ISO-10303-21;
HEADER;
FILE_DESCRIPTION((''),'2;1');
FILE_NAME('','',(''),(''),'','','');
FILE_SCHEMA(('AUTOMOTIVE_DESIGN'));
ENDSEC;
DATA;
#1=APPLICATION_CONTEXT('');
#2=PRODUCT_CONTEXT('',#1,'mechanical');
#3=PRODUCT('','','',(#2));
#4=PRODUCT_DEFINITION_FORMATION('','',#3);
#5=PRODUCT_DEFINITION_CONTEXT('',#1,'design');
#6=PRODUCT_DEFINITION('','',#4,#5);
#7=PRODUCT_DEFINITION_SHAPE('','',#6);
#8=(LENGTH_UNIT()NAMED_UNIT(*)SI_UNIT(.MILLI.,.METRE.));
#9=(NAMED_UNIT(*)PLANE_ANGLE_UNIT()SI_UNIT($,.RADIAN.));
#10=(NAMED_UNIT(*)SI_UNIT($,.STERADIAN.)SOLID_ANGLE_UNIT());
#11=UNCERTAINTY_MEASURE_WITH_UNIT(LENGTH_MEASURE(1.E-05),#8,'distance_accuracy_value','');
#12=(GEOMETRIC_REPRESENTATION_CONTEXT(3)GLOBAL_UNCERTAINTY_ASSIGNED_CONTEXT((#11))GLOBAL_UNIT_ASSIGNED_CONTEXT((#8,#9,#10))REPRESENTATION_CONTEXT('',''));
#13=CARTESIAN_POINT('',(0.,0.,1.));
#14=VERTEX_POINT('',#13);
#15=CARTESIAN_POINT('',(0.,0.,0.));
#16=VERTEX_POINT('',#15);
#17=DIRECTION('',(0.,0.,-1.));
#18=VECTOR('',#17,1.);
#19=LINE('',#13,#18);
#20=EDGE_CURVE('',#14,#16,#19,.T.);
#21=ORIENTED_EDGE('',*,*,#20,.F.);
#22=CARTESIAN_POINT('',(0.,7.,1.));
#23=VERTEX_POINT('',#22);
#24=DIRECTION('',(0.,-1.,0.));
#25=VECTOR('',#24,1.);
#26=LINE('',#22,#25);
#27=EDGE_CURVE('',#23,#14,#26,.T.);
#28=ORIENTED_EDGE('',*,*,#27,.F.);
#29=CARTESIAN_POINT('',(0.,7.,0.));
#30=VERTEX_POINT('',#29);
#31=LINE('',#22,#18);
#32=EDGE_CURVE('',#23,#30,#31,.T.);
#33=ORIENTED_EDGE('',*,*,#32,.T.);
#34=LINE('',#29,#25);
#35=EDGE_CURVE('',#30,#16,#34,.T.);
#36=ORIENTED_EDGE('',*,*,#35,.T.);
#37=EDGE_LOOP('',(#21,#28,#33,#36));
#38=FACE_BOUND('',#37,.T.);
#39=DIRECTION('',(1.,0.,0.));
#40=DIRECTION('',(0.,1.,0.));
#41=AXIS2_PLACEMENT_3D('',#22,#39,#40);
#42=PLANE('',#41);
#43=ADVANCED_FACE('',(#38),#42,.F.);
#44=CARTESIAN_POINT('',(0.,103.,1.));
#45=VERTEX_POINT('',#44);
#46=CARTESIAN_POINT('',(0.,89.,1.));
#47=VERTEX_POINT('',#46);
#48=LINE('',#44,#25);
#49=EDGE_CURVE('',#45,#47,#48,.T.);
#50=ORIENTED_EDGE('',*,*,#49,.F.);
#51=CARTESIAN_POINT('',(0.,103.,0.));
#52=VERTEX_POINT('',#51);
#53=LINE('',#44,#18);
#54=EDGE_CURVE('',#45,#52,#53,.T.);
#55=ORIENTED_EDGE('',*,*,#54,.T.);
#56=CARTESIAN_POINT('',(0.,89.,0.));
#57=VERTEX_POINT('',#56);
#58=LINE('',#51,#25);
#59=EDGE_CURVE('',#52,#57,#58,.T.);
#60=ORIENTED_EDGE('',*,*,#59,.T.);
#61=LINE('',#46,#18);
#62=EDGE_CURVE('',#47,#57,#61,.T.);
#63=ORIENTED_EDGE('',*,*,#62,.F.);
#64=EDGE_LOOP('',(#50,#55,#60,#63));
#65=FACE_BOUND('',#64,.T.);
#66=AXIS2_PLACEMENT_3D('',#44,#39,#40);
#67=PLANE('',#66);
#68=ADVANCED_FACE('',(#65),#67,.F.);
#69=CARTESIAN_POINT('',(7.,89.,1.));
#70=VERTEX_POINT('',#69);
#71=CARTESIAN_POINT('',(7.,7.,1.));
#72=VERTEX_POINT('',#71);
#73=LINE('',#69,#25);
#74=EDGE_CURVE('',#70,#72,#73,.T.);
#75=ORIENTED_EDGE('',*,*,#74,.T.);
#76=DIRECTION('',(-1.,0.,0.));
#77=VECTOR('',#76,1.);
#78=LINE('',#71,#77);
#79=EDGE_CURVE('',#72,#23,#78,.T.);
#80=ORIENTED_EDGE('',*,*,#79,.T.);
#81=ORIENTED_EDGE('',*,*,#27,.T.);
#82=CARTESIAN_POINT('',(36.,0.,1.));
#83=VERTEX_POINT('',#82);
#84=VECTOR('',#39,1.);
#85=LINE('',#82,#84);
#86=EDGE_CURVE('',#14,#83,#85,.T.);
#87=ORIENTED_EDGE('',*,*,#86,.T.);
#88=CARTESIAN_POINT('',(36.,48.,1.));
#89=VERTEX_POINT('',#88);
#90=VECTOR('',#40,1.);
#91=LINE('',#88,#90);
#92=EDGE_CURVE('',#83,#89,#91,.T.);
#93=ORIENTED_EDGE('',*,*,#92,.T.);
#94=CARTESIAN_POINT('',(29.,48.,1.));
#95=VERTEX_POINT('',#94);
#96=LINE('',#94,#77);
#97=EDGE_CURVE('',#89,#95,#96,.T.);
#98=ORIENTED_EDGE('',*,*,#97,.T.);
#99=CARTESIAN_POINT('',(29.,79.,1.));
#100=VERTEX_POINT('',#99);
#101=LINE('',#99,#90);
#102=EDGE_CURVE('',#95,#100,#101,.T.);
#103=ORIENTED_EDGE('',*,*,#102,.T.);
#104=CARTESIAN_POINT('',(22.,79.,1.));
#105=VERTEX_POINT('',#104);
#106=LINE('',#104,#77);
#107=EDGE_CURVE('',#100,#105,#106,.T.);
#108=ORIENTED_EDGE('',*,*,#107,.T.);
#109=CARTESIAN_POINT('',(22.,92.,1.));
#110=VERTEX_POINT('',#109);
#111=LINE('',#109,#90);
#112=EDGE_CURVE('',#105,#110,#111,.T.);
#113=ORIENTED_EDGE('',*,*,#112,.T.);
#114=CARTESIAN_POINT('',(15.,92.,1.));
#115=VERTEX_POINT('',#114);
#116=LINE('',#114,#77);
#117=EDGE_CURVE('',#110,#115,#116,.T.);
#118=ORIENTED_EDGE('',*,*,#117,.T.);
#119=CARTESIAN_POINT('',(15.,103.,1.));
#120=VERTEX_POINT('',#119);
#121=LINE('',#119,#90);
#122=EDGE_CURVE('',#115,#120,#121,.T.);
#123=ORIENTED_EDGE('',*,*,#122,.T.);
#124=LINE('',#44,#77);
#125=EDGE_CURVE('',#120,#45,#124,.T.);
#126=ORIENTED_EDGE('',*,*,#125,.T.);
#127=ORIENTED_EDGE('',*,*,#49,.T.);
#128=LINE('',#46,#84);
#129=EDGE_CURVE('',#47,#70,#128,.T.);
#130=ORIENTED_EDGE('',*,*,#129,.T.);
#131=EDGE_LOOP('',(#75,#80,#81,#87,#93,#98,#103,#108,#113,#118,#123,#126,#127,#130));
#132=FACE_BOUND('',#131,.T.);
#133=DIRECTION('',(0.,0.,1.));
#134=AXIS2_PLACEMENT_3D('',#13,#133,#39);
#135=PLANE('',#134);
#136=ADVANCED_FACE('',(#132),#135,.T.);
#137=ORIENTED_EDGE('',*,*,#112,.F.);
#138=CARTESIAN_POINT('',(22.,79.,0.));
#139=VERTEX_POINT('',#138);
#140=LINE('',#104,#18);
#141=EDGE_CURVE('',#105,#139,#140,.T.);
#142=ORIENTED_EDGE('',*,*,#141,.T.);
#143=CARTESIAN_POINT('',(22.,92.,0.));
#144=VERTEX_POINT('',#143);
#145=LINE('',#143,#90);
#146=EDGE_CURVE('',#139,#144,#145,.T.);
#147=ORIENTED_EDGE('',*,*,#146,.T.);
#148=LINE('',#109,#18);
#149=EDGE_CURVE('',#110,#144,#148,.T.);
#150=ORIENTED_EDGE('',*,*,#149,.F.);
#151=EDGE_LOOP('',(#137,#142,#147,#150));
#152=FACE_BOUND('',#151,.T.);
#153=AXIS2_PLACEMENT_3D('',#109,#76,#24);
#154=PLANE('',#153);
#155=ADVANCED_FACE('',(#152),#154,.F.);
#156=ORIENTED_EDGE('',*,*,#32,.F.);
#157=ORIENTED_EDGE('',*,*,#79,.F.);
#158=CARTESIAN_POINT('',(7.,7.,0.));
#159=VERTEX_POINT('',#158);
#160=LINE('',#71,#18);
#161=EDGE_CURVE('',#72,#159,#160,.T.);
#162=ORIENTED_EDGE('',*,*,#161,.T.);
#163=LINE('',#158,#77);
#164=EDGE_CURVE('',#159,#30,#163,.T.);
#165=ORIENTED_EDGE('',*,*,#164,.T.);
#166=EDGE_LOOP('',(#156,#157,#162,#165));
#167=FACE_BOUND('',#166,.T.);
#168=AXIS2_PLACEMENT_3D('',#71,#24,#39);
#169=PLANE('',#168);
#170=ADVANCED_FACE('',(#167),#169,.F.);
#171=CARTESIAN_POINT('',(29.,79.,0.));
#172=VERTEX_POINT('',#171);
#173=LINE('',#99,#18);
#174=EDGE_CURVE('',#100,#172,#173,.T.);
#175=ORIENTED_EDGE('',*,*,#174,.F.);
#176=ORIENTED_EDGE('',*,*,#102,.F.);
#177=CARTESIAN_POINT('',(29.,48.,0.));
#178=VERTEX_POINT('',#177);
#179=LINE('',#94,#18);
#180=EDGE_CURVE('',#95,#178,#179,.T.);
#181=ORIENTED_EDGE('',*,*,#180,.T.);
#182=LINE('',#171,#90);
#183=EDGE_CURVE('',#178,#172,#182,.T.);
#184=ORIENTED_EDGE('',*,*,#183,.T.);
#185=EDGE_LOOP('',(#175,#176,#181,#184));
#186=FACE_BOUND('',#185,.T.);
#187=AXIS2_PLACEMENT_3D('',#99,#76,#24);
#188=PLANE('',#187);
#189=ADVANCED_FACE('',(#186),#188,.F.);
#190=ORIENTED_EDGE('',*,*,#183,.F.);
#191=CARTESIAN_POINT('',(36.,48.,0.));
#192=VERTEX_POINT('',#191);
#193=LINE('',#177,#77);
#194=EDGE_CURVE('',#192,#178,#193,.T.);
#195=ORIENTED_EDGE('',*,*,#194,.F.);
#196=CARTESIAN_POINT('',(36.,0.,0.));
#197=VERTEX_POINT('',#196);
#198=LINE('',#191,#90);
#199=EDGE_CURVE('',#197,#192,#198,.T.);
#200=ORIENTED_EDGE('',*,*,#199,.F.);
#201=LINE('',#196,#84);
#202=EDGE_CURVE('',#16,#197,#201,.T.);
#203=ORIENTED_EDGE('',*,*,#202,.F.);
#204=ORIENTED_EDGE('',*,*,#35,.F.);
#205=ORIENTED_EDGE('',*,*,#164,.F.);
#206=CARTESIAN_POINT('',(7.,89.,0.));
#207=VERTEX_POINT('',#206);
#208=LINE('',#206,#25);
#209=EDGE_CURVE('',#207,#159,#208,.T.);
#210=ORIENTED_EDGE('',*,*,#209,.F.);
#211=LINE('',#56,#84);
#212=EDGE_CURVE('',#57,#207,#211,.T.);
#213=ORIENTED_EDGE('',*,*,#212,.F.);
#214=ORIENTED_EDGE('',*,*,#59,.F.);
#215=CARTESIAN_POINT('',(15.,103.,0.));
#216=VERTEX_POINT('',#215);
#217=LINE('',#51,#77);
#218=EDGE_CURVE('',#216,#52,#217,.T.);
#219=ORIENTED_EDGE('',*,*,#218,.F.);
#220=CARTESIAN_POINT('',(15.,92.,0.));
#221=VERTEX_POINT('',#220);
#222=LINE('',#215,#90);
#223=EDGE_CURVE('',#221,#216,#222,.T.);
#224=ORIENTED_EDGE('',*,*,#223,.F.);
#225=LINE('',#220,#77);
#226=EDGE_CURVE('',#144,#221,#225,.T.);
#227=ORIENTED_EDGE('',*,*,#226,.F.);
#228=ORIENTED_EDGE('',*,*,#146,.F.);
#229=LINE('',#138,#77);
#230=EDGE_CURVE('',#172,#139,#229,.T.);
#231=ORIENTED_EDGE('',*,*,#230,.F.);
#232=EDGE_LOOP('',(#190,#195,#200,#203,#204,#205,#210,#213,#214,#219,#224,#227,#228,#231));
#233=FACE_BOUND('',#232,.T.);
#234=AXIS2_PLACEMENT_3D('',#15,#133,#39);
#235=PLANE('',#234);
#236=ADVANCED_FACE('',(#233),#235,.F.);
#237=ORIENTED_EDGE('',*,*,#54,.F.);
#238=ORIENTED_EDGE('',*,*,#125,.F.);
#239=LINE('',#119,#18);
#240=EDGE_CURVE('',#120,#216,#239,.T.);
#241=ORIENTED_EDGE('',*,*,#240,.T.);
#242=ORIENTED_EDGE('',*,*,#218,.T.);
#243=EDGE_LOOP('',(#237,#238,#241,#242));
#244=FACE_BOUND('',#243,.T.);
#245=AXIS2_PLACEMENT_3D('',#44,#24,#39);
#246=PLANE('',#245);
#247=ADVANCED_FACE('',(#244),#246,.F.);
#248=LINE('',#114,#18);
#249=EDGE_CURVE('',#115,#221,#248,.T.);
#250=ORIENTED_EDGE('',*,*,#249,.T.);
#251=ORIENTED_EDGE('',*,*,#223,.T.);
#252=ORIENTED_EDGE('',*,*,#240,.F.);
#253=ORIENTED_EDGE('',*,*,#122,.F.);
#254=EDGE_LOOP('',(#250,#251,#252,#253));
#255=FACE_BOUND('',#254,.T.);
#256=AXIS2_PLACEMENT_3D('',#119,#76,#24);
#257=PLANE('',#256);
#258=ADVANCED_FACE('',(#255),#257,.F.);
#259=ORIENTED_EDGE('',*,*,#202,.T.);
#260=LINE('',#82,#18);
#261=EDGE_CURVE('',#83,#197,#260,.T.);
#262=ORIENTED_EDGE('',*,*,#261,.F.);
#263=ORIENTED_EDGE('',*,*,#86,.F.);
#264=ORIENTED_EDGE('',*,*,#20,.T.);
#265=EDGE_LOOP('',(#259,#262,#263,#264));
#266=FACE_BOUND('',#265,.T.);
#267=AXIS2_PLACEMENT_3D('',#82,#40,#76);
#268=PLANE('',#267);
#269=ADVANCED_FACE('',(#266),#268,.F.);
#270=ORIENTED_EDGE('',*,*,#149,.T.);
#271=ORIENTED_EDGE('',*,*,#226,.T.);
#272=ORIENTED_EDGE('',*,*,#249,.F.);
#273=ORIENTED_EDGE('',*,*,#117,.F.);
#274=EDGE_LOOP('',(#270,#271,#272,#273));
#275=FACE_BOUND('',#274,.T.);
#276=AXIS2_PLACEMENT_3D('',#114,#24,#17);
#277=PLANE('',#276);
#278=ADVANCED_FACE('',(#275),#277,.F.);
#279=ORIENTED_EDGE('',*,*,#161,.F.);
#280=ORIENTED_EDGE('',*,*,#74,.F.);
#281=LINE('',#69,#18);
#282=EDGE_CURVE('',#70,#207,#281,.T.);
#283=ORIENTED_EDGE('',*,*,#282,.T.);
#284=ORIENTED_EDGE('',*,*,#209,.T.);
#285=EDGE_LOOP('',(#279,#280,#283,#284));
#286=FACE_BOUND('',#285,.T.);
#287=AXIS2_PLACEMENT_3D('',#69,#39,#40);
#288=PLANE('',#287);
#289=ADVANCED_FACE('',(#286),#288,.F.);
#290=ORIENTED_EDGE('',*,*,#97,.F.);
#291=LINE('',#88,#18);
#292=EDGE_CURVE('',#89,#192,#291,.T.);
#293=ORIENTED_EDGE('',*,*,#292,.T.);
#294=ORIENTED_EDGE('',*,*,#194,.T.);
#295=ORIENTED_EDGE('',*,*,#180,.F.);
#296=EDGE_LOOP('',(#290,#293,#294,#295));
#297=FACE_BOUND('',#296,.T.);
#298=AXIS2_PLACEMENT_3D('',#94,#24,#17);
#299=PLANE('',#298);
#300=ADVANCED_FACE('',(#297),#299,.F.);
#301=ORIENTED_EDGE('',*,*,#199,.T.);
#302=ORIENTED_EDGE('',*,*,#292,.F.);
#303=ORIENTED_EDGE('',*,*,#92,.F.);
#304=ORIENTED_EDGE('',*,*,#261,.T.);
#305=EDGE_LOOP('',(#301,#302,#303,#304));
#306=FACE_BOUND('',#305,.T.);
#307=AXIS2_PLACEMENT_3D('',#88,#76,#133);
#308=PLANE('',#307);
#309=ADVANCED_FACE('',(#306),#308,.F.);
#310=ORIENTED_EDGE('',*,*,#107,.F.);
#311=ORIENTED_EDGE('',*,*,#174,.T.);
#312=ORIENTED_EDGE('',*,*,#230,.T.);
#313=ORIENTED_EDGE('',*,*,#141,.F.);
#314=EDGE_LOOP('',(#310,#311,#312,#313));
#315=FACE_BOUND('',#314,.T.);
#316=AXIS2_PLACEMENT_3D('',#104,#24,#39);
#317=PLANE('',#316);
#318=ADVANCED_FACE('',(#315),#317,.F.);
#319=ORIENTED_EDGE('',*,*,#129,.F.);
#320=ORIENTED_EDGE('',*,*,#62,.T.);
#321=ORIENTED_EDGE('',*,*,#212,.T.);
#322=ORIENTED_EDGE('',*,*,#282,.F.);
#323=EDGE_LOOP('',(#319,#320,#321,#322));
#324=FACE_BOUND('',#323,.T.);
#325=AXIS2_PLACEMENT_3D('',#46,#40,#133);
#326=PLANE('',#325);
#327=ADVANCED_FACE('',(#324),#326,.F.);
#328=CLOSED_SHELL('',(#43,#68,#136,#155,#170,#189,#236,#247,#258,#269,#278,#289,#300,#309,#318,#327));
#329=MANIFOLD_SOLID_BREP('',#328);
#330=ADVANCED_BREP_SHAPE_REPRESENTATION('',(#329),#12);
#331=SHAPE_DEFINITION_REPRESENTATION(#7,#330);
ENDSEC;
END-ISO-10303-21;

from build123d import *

# Parameters (mm, degrees)
RESSALTO_EXTRUS_O1_DEPTH = 1


with BuildPart() as part:
    # Esboço1 → Ressalto-extrusão1 (new body)
    with BuildSketch(Plane.XY):
        Polygon((0, 103), (15, 103), (15, 92), (22, 92), (22, 79), (29, 79), (29, 48), (36, 48), (36, 0), (0, 0), (0, 7), (7, 7), (7, 89), (0, 89), align=None)
    extrude(amount=RESSALTO_EXTRUS_O1_DEPTH)


solid = part.part
